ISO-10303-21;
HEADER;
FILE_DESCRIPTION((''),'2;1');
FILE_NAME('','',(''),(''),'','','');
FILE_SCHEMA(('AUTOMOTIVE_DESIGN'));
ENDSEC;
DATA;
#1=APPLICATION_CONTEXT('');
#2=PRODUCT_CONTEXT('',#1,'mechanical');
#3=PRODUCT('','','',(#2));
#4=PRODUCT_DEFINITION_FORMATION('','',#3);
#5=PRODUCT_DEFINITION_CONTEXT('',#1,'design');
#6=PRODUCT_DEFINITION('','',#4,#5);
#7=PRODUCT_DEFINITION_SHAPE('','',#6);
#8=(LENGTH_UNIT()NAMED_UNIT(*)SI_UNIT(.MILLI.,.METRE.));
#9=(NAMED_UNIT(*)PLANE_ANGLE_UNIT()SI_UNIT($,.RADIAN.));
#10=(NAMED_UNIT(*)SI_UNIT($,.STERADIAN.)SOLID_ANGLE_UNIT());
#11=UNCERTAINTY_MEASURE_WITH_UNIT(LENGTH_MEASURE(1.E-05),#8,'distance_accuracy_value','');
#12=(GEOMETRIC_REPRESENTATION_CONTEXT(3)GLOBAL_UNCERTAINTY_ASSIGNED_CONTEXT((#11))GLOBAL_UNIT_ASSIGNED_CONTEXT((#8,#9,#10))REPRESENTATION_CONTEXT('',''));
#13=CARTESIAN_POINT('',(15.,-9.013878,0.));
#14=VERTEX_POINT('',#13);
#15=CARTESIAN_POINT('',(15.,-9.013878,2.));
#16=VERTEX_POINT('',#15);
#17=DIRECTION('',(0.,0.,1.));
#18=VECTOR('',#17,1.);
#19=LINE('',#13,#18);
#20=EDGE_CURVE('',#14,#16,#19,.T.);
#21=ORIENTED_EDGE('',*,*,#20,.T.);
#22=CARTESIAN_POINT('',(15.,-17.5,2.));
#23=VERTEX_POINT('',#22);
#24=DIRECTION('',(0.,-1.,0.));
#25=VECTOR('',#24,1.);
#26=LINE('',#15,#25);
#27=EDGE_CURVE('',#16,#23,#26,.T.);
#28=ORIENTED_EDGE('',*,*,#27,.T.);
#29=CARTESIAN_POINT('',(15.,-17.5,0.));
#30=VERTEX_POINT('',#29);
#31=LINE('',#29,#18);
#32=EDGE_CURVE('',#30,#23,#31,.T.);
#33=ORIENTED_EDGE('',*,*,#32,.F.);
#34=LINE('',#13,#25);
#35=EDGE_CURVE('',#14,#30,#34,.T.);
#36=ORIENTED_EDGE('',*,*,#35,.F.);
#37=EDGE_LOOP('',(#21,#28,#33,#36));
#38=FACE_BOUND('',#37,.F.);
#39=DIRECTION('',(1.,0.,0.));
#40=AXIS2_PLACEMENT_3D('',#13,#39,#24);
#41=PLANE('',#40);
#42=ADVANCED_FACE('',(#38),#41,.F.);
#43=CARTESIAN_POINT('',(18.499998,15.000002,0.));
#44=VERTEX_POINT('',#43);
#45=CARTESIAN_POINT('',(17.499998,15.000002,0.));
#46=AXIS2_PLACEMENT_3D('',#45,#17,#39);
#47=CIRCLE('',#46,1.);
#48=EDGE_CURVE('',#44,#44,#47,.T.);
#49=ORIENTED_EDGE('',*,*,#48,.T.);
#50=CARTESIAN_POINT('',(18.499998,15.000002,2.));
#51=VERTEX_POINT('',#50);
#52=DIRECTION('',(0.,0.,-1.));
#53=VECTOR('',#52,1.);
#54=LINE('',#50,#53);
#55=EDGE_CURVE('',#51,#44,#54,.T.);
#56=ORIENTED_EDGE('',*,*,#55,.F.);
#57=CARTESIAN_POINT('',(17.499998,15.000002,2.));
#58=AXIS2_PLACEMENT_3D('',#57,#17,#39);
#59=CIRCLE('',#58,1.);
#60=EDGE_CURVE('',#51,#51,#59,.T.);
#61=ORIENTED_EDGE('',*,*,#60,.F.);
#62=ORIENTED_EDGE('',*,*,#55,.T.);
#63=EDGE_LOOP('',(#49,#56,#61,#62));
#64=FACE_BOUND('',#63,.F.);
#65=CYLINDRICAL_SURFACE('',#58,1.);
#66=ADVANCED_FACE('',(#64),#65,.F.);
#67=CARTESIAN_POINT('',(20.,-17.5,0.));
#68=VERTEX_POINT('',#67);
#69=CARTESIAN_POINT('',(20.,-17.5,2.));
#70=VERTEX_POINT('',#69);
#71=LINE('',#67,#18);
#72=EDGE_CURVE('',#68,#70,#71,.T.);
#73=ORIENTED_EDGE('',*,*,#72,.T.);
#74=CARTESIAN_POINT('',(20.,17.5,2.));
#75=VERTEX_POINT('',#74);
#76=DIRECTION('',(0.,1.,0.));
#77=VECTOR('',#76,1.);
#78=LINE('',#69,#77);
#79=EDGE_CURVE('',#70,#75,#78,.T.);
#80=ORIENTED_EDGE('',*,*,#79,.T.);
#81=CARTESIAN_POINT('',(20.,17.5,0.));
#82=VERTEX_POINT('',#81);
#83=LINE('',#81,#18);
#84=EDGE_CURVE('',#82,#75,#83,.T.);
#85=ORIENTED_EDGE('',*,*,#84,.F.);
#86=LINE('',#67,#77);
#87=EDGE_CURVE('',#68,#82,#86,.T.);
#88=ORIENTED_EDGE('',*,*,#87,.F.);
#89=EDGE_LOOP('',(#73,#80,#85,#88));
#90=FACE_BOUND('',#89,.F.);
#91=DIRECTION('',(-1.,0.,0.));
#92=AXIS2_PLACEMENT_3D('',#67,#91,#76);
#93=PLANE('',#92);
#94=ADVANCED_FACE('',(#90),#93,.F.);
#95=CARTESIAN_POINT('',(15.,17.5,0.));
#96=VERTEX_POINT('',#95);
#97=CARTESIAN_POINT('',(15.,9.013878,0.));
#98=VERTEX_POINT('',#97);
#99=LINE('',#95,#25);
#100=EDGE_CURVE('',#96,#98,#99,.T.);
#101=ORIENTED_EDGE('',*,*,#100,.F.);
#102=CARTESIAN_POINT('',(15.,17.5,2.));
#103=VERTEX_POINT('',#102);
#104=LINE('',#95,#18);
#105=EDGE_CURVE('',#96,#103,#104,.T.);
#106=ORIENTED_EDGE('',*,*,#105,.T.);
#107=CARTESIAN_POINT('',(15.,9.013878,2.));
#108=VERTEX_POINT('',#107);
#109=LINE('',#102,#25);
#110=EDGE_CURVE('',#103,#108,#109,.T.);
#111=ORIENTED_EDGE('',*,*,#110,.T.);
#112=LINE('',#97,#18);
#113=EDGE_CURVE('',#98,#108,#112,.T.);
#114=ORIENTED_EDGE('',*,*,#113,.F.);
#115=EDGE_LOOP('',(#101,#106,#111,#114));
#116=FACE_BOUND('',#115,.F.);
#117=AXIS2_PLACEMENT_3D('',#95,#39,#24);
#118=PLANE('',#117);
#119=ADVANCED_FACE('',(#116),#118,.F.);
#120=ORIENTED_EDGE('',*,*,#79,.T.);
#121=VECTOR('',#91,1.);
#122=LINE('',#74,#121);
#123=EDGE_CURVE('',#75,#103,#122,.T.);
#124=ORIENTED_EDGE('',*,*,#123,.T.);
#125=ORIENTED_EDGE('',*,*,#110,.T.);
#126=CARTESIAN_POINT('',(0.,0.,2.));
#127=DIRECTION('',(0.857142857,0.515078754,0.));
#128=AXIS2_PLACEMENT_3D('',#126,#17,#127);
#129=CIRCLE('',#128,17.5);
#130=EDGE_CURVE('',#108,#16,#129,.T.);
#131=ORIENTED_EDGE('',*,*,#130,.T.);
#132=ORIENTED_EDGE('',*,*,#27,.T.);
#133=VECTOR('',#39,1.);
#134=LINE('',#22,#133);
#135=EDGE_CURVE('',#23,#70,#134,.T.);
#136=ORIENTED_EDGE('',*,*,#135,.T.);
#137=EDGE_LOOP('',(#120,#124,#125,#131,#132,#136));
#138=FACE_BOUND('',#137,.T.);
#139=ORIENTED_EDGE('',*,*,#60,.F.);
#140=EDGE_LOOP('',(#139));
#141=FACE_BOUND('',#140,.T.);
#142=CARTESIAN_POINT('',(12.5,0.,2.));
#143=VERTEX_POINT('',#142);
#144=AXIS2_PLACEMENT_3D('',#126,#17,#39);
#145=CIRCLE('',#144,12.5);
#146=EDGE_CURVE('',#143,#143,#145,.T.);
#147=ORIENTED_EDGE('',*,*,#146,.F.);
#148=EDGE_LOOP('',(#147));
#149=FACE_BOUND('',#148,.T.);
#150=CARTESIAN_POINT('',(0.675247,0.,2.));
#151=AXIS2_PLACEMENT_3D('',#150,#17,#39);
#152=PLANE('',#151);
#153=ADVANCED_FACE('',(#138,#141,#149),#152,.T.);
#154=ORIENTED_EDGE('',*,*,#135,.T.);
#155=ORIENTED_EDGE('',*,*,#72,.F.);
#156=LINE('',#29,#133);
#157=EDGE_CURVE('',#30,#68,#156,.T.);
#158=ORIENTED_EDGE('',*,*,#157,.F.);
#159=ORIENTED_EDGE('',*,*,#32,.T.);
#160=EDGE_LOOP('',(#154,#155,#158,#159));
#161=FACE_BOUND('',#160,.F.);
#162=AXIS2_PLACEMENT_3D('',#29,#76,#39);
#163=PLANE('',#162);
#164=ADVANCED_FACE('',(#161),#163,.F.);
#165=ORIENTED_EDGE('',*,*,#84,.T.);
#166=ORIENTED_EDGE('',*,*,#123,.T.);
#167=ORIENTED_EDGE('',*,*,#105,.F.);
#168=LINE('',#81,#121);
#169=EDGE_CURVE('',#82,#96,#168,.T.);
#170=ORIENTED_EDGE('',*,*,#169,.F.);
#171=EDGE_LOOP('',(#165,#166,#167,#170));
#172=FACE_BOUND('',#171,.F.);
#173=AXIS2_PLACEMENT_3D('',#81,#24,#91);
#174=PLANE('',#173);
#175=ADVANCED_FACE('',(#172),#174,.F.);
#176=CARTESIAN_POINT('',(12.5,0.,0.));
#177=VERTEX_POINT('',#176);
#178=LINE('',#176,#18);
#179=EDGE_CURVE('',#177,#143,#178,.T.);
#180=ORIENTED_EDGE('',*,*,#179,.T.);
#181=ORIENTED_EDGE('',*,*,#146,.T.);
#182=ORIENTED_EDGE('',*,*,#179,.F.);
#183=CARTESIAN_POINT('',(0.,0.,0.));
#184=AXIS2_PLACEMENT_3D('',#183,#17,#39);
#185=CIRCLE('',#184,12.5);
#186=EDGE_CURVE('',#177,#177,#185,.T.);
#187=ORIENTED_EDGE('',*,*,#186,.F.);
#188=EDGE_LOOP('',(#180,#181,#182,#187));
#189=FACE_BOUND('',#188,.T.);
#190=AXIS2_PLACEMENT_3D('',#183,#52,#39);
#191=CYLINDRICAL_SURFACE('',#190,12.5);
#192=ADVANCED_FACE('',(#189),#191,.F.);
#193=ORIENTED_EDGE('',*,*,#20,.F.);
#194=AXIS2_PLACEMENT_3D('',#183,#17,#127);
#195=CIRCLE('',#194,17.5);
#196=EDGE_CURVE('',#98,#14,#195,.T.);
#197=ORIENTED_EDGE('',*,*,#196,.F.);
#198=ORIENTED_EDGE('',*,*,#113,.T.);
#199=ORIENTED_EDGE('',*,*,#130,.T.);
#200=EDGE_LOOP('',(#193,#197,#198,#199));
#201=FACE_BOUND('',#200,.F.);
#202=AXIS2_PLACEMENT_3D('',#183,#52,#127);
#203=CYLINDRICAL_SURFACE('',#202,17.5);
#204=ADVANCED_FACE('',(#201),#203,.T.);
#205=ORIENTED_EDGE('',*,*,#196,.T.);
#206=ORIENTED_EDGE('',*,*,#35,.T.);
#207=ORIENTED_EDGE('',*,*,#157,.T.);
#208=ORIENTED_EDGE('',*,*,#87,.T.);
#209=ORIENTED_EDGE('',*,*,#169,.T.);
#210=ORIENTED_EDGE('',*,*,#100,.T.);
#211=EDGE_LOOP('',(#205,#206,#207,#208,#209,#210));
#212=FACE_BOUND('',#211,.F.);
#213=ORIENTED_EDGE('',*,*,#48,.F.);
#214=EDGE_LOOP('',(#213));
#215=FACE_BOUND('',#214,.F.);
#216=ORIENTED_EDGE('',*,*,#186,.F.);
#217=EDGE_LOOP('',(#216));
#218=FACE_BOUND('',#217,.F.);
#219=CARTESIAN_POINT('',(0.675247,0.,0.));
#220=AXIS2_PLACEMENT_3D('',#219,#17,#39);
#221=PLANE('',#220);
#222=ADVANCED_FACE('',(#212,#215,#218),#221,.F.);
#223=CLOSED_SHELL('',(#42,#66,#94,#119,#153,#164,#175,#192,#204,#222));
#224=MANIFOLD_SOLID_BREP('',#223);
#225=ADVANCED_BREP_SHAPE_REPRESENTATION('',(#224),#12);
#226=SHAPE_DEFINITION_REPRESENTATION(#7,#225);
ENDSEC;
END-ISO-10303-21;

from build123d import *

# Parameters (mm, degrees)
F0_R     = 12.5
F1_DEPTH = 2
F2_R     = 1
F3_DEPTH = 2


with BuildPart() as f1:
    # F0 (on Top) → F1 (new body)
    with BuildSketch(Plane.XY):
        with BuildLine():
            Line((15, -9.0138781887), (15, 9.0138781887))
            ThreePointArc((15, 9.0138781887), (-17.5, 0), (15, -9.0138781887))
        make_face()
        Circle(F0_R, mode=Mode.SUBTRACT)
        with BuildLine():
            ThreePointArc((15, 9.0138781887), (16.863421954, 4.6770717335), (17.5, 0))
            ThreePointArc((17.5, 0), (16.863421954, -4.6770717335), (15, -9.0138781887))
            Line((15, -9.0138781887), (15, -17.5))
            Line((15, -17.5), (20, -17.5))
            Line((20, -17.5), (20, 17.5))
            Line((20, 17.5), (15, 17.5))
            Line((15, 17.5), (15, 9.0138781887))
        make_face()
        with BuildLine():
            ThreePointArc((15, -9.0138781887), (16.863421954, -4.6770717335), (17.5, 0))
            ThreePointArc((17.5, 0), (16.863421954, 4.6770717335), (15, 9.0138781887))
            Line((15, 9.0138781887), (15, -9.0138781887))
        make_face()
    extrude(amount=F1_DEPTH)

    # F2 (on face) → F3 (cut)
    with BuildSketch(Plane.XY.offset(2)):
        with Locations((17.4999982119, 15.0000024587)):
            Circle(F2_R)
    extrude(amount=-F3_DEPTH, mode=Mode.SUBTRACT)


solid = f1.part
